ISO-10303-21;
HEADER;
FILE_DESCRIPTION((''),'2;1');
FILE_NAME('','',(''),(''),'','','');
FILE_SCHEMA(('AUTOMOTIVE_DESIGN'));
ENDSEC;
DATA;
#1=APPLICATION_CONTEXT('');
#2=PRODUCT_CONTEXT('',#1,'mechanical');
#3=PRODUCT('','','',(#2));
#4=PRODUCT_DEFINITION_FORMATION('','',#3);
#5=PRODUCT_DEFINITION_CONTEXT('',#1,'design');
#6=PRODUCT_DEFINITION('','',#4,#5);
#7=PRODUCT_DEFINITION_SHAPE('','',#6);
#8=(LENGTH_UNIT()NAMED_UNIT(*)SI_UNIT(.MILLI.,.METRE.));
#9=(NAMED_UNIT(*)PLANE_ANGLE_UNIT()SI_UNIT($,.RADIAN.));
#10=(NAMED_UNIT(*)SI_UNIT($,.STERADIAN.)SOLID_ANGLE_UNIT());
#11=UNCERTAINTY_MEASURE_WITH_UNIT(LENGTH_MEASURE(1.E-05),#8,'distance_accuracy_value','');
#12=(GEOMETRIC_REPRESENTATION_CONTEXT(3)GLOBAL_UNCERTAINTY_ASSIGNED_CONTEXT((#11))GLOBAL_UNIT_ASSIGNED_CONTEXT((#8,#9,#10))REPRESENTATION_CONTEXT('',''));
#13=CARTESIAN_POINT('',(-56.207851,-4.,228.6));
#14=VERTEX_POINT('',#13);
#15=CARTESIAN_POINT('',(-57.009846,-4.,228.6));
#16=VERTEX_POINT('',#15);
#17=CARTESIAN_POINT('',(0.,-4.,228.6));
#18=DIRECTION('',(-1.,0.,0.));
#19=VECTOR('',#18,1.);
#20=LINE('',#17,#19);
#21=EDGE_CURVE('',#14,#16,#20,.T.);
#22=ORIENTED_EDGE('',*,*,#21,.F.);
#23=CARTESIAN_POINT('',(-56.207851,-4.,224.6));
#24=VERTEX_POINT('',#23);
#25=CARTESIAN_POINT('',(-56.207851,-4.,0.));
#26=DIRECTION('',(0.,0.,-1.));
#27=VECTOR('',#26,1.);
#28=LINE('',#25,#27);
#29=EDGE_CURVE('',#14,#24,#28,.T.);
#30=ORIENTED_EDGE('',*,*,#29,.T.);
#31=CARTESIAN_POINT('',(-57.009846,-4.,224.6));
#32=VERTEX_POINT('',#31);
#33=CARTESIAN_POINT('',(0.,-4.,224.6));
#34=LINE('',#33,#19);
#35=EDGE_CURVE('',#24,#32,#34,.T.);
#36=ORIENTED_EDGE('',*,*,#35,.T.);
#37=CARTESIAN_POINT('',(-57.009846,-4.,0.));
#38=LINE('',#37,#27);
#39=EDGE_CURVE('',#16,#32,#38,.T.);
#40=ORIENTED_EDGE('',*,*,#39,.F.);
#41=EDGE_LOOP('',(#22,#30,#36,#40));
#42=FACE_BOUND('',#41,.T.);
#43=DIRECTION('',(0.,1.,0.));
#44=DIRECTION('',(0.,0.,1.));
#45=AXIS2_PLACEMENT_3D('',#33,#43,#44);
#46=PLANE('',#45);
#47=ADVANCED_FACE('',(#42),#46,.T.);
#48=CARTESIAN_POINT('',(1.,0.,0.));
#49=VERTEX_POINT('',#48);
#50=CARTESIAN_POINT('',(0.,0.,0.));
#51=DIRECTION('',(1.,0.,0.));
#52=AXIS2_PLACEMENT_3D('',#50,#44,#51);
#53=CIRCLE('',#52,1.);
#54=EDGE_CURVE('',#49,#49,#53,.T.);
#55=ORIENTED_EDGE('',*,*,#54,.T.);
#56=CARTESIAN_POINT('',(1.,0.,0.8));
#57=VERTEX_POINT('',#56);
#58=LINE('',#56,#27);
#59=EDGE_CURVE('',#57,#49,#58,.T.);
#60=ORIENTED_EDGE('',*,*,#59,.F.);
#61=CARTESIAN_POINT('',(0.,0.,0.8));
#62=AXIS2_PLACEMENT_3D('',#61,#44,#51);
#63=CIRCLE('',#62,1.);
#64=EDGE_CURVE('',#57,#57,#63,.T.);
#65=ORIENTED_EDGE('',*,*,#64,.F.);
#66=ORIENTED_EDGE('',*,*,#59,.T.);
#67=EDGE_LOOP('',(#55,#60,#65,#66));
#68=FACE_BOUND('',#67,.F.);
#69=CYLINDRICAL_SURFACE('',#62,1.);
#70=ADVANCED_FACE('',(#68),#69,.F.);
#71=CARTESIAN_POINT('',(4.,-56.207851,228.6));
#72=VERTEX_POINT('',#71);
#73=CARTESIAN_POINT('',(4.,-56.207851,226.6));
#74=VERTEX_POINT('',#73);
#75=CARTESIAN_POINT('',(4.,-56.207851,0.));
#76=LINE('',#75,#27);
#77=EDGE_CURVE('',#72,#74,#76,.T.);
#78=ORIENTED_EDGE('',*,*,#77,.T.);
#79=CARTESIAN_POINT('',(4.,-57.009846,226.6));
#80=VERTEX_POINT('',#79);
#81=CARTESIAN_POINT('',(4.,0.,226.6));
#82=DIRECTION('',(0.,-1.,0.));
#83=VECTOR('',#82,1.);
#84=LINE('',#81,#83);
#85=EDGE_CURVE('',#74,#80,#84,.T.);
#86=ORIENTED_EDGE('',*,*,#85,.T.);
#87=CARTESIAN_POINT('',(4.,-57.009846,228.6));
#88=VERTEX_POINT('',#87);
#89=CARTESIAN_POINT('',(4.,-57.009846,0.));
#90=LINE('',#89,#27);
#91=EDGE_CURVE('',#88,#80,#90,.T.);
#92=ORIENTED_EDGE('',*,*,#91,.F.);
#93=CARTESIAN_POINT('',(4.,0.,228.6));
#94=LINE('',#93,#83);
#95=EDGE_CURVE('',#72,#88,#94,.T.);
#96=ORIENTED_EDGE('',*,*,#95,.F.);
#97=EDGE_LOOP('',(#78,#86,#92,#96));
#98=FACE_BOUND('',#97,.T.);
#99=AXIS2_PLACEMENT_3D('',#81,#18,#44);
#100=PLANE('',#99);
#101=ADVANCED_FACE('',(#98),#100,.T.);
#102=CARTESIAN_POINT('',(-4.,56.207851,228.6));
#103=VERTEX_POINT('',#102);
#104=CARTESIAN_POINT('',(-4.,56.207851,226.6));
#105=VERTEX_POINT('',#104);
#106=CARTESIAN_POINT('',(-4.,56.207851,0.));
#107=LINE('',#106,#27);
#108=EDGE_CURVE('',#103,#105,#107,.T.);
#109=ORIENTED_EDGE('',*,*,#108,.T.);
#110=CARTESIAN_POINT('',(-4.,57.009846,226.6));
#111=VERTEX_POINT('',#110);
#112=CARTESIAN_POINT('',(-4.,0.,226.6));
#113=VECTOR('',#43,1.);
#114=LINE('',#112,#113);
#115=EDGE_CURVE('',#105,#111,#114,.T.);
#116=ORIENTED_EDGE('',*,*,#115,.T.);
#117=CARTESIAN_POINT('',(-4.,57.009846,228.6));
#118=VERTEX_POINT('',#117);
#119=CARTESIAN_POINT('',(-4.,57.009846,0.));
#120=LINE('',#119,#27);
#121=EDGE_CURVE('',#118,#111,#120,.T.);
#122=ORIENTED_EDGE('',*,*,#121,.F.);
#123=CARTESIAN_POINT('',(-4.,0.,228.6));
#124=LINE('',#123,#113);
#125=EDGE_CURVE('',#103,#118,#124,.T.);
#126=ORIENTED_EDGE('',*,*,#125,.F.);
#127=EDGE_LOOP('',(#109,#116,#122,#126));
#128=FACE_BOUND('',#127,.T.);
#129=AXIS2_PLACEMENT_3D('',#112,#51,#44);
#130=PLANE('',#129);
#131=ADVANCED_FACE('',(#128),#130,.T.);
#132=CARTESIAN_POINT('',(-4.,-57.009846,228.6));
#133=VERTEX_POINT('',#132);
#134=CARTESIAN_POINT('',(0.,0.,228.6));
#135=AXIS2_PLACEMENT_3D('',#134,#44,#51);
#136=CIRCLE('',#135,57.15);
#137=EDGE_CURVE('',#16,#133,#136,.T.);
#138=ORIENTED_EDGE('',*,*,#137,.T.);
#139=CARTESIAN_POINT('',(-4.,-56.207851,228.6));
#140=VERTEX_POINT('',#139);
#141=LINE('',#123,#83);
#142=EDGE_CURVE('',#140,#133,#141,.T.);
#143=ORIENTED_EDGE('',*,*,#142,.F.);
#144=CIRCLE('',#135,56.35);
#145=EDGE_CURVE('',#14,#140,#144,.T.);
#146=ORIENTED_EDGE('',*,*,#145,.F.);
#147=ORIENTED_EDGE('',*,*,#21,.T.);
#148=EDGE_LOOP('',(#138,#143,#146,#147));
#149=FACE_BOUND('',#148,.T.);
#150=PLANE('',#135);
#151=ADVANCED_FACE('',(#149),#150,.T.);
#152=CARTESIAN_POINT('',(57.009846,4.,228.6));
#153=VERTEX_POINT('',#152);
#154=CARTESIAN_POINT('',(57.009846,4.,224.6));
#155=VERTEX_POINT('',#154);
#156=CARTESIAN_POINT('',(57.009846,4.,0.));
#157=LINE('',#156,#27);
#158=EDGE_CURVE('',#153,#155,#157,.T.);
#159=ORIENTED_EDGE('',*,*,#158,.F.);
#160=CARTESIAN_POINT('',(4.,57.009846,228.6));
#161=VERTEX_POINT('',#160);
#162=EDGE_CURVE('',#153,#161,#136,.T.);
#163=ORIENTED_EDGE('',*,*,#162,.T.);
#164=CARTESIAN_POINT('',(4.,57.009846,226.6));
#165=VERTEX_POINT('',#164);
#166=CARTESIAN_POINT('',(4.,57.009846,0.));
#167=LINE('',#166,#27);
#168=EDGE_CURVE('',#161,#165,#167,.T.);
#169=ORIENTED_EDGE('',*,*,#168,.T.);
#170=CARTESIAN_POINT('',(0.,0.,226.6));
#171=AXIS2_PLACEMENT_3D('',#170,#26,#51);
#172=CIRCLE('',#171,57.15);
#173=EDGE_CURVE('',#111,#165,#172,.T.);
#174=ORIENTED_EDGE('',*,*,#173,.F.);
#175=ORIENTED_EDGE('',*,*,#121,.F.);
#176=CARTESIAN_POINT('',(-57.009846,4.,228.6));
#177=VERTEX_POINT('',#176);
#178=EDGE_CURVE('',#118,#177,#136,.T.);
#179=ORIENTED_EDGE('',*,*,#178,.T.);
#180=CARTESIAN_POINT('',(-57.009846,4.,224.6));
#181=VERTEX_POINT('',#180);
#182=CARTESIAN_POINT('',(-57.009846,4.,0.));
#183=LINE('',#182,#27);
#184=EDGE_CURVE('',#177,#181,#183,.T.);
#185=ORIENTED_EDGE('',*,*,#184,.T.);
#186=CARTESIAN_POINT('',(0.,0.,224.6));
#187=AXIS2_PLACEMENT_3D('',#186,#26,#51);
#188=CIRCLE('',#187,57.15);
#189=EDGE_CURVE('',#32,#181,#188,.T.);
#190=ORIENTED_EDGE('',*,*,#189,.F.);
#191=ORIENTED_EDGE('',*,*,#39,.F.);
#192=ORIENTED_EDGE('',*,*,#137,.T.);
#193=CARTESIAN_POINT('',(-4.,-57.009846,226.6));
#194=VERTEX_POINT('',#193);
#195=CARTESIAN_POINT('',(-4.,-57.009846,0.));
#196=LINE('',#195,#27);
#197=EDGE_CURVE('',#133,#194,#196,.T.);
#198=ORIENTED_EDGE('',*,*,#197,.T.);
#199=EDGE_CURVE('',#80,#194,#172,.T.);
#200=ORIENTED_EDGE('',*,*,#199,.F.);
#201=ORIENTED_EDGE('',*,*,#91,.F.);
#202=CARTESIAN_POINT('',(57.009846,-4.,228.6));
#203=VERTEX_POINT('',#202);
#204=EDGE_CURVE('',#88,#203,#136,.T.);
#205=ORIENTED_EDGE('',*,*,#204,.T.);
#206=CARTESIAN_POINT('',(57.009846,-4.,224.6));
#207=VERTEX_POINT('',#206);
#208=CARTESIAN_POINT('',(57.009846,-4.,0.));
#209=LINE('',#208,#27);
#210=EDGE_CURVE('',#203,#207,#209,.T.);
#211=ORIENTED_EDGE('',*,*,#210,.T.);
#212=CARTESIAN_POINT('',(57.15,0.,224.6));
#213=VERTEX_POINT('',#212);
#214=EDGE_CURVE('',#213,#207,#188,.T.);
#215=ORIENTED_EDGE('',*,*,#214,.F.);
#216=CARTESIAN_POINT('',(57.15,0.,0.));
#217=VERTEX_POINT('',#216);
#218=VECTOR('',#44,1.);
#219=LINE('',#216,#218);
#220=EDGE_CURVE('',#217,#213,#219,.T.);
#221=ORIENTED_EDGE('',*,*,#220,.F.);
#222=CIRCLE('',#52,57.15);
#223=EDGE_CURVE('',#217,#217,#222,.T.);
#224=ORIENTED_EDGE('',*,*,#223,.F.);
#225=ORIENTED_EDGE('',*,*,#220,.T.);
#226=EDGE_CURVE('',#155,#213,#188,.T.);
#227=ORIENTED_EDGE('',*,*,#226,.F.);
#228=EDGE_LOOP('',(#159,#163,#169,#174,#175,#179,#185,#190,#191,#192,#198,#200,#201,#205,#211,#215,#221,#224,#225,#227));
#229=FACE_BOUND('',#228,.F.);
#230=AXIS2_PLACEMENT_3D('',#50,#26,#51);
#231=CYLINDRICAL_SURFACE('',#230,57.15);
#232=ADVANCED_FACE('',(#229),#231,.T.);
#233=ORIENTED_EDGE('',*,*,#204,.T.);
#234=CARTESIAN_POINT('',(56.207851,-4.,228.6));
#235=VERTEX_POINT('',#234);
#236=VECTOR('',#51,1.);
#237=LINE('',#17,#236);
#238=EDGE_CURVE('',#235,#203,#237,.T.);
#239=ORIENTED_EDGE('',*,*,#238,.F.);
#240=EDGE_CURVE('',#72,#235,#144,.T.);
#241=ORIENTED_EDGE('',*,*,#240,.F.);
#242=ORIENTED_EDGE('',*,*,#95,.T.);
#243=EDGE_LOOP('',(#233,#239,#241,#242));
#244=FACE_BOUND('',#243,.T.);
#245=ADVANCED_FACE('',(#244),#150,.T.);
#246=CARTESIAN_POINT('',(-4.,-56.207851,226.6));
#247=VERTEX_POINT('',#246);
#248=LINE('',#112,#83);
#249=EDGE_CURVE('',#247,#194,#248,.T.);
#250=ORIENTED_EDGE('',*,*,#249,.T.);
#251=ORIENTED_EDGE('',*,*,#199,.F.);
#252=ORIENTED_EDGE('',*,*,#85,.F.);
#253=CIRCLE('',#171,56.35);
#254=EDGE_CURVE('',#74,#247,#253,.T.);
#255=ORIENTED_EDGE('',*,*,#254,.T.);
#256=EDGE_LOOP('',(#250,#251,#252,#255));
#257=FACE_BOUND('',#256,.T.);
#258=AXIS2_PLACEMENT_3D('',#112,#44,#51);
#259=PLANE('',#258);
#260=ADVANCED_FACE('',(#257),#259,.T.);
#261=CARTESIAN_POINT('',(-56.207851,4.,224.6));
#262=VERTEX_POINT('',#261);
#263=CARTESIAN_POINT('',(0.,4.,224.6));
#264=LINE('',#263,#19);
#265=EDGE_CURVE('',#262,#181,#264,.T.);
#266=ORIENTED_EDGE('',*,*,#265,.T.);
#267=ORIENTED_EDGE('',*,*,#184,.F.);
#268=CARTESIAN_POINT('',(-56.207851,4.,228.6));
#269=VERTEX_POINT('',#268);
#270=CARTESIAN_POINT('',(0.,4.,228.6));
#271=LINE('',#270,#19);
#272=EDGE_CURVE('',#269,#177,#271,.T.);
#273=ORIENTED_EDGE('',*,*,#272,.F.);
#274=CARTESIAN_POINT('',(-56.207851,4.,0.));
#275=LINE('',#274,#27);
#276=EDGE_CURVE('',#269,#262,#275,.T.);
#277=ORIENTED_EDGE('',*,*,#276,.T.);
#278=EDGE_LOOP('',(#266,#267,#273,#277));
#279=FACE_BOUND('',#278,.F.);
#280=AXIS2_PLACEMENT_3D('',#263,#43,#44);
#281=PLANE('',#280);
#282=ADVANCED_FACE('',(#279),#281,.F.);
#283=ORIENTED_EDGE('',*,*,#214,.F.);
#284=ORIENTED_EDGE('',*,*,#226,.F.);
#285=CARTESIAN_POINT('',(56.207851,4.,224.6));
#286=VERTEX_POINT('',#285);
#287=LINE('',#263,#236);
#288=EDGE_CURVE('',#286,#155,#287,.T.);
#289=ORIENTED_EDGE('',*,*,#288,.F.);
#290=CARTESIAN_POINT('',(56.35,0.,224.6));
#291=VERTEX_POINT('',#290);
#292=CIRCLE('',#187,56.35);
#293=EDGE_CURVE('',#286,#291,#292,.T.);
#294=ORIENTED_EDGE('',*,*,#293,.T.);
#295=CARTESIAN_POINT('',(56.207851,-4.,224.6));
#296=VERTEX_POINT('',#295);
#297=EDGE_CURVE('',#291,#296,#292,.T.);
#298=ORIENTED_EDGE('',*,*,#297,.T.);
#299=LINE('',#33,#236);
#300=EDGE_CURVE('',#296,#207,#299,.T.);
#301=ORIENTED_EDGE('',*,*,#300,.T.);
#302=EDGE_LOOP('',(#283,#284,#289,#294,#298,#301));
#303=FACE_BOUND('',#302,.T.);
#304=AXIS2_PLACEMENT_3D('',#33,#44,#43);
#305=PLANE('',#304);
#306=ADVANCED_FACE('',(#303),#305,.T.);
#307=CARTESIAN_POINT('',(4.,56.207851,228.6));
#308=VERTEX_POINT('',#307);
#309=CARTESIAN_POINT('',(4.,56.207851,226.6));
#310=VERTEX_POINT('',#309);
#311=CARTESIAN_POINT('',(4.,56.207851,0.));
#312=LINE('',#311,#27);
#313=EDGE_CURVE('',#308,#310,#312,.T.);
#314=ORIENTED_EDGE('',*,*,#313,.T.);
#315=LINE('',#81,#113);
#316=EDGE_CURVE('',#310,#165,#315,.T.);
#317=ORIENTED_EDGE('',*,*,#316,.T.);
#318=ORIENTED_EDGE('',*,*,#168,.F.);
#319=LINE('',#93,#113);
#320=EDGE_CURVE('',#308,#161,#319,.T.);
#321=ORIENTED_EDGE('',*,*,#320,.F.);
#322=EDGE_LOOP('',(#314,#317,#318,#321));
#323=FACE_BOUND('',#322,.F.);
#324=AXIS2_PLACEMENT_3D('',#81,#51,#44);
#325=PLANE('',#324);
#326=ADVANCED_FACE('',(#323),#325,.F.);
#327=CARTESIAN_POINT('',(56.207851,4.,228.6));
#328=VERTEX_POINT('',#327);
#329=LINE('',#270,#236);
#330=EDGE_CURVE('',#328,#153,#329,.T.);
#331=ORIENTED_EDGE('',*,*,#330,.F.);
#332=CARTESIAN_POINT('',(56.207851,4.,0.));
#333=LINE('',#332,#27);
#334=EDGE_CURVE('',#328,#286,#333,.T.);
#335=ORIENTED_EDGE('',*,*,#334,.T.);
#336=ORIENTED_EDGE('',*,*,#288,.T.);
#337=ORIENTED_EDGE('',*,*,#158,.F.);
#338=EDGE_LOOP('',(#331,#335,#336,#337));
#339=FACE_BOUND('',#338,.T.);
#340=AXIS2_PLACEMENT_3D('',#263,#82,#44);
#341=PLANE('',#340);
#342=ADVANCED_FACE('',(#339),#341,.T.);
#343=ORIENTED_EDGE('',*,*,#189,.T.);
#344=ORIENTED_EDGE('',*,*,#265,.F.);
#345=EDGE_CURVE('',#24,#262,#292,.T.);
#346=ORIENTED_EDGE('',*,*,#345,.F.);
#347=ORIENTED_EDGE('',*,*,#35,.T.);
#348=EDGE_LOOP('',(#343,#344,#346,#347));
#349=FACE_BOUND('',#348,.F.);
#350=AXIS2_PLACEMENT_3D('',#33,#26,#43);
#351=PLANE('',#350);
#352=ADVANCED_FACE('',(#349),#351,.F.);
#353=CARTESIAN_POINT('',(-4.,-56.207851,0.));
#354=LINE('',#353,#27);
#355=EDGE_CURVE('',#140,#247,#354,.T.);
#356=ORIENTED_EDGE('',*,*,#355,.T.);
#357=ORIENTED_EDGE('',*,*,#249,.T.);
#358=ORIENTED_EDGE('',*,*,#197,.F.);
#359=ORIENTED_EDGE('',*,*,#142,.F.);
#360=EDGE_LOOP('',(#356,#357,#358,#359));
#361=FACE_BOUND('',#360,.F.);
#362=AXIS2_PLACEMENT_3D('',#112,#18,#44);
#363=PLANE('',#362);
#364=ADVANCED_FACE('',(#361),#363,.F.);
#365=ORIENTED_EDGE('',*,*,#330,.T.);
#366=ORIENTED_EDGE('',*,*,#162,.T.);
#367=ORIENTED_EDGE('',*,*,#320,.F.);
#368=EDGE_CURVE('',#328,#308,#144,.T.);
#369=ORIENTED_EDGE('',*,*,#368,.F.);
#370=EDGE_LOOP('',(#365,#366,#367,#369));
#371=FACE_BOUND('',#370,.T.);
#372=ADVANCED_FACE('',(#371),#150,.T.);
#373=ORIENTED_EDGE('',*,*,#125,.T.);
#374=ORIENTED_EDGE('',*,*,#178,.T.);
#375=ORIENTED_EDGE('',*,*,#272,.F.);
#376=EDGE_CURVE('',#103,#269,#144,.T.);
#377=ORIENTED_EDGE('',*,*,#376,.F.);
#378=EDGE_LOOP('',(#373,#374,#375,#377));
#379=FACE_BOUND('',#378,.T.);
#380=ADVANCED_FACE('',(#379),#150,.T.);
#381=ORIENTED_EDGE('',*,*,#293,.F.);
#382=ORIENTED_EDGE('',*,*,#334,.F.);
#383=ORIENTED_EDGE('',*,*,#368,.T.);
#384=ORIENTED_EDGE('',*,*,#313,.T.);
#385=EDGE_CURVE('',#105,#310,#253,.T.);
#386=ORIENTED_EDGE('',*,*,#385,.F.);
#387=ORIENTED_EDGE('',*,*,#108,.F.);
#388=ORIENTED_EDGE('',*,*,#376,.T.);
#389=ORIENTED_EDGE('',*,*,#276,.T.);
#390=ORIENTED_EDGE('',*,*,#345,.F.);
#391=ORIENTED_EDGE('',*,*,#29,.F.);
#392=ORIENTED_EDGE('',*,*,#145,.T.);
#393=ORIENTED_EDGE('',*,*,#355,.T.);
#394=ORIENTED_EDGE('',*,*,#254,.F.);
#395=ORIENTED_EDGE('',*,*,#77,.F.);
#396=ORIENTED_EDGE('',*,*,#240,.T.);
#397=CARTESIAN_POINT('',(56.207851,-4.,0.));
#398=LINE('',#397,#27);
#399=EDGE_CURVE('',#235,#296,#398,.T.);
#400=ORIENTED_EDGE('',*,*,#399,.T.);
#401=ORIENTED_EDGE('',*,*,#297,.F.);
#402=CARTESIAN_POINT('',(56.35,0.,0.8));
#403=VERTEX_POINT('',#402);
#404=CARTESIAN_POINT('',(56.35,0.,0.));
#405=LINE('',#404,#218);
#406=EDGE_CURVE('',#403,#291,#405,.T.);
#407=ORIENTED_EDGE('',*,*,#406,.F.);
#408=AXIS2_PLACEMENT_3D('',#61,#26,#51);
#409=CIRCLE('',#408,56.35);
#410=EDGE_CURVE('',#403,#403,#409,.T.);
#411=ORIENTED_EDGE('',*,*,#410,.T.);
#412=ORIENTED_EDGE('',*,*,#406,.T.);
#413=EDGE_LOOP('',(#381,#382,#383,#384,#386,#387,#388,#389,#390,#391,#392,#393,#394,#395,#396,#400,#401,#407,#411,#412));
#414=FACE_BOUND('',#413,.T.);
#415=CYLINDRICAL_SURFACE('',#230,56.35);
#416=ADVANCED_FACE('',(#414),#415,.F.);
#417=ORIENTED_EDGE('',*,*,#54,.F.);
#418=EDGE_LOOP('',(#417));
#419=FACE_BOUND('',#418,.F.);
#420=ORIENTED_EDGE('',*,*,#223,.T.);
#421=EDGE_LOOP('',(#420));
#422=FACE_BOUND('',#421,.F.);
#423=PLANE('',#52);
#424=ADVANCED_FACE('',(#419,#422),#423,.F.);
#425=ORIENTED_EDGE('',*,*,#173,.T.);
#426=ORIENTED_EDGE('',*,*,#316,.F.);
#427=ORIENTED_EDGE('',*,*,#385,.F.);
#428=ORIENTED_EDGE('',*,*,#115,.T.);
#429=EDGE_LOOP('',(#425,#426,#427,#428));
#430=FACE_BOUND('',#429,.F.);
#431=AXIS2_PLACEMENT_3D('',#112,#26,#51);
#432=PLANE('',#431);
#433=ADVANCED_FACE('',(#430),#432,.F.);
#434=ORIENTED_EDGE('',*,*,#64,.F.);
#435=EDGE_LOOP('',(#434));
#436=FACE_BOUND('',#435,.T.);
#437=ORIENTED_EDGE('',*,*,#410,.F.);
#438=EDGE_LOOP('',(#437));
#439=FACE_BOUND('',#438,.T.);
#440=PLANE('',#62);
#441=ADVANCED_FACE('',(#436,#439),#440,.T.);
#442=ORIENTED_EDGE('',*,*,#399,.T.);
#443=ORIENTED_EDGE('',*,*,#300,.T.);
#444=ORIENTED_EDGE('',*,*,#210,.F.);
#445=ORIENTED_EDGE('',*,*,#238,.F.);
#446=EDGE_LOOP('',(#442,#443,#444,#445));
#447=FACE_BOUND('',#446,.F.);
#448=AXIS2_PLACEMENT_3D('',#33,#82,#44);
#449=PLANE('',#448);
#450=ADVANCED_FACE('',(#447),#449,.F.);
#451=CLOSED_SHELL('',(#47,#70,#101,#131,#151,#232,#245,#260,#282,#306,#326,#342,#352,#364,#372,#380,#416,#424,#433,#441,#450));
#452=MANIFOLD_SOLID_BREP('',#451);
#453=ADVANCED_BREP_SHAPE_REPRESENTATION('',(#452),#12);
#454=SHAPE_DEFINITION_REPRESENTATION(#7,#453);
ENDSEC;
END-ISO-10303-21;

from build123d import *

# Parameters (mm, degrees)
F0_R          = 57.15
F1_DEPTH      = 228.6
F2_T          = -0.8
F3_R          = 1
F4_DEPTH      = 0.8
F5_W          = 8
F5_H          = 2
F6_DEPTH      = 57.151
F6_DEPTH_BACK = 57.151
F7_W          = 8
F7_H          = 4
F8_DEPTH      = 57.151
F8_DEPTH_BACK = 57.151


with BuildPart() as f1:
    # F0 (on Top) → F1 (new body)
    with BuildSketch(Plane.XY):
        Circle(F0_R)
    extrude(amount=F1_DEPTH)

    # F2
    f2_openings = [f1.faces().sort_by_distance(p)[0] for p in [
        (0, 0, 228.6),
    ]]
    offset(amount=F2_T, openings=f2_openings)

    # F3 (on face) → F4 (cut, through all)
    with BuildSketch(Plane.XY.offset(0.8)):
        Circle(F3_R)
    extrude(amount=-F4_DEPTH, mode=Mode.SUBTRACT)

    # F5 (on Front) → F6 (cut, two sides)
    with BuildSketch(Plane.XZ) as f6_sk:
        with Locations((0, 227.6)):
            Rectangle(F5_W, F5_H)
    extrude(amount=-F6_DEPTH, mode=Mode.SUBTRACT)
    extrude(f6_sk.sketch, amount=F6_DEPTH_BACK, mode=Mode.SUBTRACT)

    # F7 (on Right) → F8 (cut, two sides)
    with BuildSketch(Plane.YZ) as f8_sk:
        with Locations((0, 226.6)):
            Rectangle(F7_W, F7_H)
    extrude(amount=-F8_DEPTH, mode=Mode.SUBTRACT)
    extrude(f8_sk.sketch, amount=F8_DEPTH_BACK, mode=Mode.SUBTRACT)


solid = f1.part
